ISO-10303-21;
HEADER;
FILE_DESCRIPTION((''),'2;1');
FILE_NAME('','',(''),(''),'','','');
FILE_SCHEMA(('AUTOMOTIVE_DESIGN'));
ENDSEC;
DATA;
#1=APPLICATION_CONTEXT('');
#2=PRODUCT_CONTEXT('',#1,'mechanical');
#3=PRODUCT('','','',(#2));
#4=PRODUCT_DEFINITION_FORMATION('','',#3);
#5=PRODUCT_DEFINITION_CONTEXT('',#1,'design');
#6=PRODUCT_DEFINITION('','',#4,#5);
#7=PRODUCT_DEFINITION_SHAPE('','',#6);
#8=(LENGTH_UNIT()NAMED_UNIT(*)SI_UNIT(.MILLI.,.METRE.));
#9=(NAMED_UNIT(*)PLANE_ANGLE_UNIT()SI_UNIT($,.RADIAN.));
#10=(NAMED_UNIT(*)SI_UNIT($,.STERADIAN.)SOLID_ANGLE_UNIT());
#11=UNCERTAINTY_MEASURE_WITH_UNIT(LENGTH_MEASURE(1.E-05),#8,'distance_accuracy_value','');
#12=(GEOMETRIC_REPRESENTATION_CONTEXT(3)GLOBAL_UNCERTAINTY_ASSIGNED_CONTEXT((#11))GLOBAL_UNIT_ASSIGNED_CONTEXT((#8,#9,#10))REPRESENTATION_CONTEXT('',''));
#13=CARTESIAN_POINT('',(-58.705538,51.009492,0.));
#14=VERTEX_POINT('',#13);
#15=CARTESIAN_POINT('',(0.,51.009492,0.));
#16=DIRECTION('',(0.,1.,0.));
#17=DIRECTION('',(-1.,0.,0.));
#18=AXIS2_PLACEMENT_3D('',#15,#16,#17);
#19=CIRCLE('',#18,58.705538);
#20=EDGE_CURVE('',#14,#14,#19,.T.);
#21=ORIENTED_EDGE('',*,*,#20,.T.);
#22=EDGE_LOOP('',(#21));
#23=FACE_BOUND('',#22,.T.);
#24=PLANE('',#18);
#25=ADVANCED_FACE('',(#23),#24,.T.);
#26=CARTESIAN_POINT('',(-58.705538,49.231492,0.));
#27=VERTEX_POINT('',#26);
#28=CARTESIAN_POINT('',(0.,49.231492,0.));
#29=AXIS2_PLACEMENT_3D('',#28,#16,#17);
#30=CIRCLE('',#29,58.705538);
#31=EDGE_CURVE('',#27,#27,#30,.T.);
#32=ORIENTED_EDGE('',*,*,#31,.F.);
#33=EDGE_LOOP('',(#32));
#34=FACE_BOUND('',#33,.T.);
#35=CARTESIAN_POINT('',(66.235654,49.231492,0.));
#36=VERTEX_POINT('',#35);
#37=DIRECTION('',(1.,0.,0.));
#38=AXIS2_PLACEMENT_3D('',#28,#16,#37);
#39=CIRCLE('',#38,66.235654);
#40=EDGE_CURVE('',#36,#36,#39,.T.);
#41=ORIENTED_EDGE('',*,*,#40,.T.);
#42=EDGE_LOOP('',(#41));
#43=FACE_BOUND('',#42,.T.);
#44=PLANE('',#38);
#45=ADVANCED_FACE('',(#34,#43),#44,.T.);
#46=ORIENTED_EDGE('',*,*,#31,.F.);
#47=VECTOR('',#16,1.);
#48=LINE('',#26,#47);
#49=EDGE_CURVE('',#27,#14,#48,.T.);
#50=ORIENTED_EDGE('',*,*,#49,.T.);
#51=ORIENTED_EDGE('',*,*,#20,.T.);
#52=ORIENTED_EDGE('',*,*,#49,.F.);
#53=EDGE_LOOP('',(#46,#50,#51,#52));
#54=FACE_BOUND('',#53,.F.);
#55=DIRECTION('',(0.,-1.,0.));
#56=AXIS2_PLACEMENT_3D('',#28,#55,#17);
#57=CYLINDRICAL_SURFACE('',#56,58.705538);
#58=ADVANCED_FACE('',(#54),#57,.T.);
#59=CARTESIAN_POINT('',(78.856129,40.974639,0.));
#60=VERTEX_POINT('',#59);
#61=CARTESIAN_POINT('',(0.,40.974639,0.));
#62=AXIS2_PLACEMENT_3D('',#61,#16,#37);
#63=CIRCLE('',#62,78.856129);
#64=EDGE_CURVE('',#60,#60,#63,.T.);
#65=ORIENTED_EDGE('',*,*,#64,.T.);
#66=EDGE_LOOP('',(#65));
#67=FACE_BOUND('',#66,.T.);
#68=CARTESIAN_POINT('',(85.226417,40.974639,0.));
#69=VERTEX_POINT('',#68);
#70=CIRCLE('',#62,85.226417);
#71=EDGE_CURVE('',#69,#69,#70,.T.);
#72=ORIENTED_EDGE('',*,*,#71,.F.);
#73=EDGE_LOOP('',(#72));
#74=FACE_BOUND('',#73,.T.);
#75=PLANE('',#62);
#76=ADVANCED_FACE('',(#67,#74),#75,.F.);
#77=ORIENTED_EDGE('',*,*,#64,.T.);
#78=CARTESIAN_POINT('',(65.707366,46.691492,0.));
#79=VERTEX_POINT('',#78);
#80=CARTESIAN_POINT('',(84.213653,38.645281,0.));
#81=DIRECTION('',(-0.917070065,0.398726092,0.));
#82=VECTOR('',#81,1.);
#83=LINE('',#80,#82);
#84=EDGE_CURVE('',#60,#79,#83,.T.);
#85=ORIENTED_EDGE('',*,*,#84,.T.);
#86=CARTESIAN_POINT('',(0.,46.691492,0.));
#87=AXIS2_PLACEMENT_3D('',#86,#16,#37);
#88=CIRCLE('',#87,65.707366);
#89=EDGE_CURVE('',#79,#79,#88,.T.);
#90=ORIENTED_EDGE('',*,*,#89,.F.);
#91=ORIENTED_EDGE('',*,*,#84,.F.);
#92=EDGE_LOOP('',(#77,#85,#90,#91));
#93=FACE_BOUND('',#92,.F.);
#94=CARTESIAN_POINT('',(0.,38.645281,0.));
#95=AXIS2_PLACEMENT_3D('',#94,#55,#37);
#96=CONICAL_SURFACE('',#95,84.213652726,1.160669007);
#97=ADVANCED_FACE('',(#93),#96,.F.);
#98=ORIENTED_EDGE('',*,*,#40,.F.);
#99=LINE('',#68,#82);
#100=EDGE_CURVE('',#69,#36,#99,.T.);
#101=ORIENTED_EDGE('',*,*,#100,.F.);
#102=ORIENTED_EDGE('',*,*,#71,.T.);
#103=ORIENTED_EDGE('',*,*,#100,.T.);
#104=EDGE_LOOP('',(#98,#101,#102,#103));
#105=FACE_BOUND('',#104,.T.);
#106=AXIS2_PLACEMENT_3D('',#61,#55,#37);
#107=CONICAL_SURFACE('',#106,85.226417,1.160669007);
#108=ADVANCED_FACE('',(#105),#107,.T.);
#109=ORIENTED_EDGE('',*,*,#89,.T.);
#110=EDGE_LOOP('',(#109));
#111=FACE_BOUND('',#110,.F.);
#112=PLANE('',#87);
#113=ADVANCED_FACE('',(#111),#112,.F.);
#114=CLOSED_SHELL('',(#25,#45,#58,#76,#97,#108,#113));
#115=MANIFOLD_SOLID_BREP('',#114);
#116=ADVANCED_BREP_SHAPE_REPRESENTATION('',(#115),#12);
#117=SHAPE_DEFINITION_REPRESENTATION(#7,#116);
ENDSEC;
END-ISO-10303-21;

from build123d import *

# Parameters (mm, degrees)
F2_T     = -2.54
F3_R     = 58.705538
F4_DEPTH = 1.778


with BuildPart() as f1:
    # F0 (on Top) → F1 (revolve)
    with BuildSketch(Plane.XY):
        Polygon((66.235654, 49.231492), (0, 49.231492), (0, 40.974639), (85.226417, 40.974639), align=None)
    revolve(axis=Axis((0, 45.103066, 0), (0, 1, 0)))

    # F2
    f2_openings = [f1.faces().sort_by_distance(p)[0] for p in [
        (0, 40.974639, 0),
    ]]
    offset(amount=F2_T, openings=f2_openings)

    # F3 (on face) → F4 (join)
    with BuildSketch(Plane(origin=(0, 49.231492, 0), x_dir=(-1, 0, 0), z_dir=(0, 1, 0))):
        Circle(F3_R)
    extrude(amount=F4_DEPTH)


solid = f1.part
